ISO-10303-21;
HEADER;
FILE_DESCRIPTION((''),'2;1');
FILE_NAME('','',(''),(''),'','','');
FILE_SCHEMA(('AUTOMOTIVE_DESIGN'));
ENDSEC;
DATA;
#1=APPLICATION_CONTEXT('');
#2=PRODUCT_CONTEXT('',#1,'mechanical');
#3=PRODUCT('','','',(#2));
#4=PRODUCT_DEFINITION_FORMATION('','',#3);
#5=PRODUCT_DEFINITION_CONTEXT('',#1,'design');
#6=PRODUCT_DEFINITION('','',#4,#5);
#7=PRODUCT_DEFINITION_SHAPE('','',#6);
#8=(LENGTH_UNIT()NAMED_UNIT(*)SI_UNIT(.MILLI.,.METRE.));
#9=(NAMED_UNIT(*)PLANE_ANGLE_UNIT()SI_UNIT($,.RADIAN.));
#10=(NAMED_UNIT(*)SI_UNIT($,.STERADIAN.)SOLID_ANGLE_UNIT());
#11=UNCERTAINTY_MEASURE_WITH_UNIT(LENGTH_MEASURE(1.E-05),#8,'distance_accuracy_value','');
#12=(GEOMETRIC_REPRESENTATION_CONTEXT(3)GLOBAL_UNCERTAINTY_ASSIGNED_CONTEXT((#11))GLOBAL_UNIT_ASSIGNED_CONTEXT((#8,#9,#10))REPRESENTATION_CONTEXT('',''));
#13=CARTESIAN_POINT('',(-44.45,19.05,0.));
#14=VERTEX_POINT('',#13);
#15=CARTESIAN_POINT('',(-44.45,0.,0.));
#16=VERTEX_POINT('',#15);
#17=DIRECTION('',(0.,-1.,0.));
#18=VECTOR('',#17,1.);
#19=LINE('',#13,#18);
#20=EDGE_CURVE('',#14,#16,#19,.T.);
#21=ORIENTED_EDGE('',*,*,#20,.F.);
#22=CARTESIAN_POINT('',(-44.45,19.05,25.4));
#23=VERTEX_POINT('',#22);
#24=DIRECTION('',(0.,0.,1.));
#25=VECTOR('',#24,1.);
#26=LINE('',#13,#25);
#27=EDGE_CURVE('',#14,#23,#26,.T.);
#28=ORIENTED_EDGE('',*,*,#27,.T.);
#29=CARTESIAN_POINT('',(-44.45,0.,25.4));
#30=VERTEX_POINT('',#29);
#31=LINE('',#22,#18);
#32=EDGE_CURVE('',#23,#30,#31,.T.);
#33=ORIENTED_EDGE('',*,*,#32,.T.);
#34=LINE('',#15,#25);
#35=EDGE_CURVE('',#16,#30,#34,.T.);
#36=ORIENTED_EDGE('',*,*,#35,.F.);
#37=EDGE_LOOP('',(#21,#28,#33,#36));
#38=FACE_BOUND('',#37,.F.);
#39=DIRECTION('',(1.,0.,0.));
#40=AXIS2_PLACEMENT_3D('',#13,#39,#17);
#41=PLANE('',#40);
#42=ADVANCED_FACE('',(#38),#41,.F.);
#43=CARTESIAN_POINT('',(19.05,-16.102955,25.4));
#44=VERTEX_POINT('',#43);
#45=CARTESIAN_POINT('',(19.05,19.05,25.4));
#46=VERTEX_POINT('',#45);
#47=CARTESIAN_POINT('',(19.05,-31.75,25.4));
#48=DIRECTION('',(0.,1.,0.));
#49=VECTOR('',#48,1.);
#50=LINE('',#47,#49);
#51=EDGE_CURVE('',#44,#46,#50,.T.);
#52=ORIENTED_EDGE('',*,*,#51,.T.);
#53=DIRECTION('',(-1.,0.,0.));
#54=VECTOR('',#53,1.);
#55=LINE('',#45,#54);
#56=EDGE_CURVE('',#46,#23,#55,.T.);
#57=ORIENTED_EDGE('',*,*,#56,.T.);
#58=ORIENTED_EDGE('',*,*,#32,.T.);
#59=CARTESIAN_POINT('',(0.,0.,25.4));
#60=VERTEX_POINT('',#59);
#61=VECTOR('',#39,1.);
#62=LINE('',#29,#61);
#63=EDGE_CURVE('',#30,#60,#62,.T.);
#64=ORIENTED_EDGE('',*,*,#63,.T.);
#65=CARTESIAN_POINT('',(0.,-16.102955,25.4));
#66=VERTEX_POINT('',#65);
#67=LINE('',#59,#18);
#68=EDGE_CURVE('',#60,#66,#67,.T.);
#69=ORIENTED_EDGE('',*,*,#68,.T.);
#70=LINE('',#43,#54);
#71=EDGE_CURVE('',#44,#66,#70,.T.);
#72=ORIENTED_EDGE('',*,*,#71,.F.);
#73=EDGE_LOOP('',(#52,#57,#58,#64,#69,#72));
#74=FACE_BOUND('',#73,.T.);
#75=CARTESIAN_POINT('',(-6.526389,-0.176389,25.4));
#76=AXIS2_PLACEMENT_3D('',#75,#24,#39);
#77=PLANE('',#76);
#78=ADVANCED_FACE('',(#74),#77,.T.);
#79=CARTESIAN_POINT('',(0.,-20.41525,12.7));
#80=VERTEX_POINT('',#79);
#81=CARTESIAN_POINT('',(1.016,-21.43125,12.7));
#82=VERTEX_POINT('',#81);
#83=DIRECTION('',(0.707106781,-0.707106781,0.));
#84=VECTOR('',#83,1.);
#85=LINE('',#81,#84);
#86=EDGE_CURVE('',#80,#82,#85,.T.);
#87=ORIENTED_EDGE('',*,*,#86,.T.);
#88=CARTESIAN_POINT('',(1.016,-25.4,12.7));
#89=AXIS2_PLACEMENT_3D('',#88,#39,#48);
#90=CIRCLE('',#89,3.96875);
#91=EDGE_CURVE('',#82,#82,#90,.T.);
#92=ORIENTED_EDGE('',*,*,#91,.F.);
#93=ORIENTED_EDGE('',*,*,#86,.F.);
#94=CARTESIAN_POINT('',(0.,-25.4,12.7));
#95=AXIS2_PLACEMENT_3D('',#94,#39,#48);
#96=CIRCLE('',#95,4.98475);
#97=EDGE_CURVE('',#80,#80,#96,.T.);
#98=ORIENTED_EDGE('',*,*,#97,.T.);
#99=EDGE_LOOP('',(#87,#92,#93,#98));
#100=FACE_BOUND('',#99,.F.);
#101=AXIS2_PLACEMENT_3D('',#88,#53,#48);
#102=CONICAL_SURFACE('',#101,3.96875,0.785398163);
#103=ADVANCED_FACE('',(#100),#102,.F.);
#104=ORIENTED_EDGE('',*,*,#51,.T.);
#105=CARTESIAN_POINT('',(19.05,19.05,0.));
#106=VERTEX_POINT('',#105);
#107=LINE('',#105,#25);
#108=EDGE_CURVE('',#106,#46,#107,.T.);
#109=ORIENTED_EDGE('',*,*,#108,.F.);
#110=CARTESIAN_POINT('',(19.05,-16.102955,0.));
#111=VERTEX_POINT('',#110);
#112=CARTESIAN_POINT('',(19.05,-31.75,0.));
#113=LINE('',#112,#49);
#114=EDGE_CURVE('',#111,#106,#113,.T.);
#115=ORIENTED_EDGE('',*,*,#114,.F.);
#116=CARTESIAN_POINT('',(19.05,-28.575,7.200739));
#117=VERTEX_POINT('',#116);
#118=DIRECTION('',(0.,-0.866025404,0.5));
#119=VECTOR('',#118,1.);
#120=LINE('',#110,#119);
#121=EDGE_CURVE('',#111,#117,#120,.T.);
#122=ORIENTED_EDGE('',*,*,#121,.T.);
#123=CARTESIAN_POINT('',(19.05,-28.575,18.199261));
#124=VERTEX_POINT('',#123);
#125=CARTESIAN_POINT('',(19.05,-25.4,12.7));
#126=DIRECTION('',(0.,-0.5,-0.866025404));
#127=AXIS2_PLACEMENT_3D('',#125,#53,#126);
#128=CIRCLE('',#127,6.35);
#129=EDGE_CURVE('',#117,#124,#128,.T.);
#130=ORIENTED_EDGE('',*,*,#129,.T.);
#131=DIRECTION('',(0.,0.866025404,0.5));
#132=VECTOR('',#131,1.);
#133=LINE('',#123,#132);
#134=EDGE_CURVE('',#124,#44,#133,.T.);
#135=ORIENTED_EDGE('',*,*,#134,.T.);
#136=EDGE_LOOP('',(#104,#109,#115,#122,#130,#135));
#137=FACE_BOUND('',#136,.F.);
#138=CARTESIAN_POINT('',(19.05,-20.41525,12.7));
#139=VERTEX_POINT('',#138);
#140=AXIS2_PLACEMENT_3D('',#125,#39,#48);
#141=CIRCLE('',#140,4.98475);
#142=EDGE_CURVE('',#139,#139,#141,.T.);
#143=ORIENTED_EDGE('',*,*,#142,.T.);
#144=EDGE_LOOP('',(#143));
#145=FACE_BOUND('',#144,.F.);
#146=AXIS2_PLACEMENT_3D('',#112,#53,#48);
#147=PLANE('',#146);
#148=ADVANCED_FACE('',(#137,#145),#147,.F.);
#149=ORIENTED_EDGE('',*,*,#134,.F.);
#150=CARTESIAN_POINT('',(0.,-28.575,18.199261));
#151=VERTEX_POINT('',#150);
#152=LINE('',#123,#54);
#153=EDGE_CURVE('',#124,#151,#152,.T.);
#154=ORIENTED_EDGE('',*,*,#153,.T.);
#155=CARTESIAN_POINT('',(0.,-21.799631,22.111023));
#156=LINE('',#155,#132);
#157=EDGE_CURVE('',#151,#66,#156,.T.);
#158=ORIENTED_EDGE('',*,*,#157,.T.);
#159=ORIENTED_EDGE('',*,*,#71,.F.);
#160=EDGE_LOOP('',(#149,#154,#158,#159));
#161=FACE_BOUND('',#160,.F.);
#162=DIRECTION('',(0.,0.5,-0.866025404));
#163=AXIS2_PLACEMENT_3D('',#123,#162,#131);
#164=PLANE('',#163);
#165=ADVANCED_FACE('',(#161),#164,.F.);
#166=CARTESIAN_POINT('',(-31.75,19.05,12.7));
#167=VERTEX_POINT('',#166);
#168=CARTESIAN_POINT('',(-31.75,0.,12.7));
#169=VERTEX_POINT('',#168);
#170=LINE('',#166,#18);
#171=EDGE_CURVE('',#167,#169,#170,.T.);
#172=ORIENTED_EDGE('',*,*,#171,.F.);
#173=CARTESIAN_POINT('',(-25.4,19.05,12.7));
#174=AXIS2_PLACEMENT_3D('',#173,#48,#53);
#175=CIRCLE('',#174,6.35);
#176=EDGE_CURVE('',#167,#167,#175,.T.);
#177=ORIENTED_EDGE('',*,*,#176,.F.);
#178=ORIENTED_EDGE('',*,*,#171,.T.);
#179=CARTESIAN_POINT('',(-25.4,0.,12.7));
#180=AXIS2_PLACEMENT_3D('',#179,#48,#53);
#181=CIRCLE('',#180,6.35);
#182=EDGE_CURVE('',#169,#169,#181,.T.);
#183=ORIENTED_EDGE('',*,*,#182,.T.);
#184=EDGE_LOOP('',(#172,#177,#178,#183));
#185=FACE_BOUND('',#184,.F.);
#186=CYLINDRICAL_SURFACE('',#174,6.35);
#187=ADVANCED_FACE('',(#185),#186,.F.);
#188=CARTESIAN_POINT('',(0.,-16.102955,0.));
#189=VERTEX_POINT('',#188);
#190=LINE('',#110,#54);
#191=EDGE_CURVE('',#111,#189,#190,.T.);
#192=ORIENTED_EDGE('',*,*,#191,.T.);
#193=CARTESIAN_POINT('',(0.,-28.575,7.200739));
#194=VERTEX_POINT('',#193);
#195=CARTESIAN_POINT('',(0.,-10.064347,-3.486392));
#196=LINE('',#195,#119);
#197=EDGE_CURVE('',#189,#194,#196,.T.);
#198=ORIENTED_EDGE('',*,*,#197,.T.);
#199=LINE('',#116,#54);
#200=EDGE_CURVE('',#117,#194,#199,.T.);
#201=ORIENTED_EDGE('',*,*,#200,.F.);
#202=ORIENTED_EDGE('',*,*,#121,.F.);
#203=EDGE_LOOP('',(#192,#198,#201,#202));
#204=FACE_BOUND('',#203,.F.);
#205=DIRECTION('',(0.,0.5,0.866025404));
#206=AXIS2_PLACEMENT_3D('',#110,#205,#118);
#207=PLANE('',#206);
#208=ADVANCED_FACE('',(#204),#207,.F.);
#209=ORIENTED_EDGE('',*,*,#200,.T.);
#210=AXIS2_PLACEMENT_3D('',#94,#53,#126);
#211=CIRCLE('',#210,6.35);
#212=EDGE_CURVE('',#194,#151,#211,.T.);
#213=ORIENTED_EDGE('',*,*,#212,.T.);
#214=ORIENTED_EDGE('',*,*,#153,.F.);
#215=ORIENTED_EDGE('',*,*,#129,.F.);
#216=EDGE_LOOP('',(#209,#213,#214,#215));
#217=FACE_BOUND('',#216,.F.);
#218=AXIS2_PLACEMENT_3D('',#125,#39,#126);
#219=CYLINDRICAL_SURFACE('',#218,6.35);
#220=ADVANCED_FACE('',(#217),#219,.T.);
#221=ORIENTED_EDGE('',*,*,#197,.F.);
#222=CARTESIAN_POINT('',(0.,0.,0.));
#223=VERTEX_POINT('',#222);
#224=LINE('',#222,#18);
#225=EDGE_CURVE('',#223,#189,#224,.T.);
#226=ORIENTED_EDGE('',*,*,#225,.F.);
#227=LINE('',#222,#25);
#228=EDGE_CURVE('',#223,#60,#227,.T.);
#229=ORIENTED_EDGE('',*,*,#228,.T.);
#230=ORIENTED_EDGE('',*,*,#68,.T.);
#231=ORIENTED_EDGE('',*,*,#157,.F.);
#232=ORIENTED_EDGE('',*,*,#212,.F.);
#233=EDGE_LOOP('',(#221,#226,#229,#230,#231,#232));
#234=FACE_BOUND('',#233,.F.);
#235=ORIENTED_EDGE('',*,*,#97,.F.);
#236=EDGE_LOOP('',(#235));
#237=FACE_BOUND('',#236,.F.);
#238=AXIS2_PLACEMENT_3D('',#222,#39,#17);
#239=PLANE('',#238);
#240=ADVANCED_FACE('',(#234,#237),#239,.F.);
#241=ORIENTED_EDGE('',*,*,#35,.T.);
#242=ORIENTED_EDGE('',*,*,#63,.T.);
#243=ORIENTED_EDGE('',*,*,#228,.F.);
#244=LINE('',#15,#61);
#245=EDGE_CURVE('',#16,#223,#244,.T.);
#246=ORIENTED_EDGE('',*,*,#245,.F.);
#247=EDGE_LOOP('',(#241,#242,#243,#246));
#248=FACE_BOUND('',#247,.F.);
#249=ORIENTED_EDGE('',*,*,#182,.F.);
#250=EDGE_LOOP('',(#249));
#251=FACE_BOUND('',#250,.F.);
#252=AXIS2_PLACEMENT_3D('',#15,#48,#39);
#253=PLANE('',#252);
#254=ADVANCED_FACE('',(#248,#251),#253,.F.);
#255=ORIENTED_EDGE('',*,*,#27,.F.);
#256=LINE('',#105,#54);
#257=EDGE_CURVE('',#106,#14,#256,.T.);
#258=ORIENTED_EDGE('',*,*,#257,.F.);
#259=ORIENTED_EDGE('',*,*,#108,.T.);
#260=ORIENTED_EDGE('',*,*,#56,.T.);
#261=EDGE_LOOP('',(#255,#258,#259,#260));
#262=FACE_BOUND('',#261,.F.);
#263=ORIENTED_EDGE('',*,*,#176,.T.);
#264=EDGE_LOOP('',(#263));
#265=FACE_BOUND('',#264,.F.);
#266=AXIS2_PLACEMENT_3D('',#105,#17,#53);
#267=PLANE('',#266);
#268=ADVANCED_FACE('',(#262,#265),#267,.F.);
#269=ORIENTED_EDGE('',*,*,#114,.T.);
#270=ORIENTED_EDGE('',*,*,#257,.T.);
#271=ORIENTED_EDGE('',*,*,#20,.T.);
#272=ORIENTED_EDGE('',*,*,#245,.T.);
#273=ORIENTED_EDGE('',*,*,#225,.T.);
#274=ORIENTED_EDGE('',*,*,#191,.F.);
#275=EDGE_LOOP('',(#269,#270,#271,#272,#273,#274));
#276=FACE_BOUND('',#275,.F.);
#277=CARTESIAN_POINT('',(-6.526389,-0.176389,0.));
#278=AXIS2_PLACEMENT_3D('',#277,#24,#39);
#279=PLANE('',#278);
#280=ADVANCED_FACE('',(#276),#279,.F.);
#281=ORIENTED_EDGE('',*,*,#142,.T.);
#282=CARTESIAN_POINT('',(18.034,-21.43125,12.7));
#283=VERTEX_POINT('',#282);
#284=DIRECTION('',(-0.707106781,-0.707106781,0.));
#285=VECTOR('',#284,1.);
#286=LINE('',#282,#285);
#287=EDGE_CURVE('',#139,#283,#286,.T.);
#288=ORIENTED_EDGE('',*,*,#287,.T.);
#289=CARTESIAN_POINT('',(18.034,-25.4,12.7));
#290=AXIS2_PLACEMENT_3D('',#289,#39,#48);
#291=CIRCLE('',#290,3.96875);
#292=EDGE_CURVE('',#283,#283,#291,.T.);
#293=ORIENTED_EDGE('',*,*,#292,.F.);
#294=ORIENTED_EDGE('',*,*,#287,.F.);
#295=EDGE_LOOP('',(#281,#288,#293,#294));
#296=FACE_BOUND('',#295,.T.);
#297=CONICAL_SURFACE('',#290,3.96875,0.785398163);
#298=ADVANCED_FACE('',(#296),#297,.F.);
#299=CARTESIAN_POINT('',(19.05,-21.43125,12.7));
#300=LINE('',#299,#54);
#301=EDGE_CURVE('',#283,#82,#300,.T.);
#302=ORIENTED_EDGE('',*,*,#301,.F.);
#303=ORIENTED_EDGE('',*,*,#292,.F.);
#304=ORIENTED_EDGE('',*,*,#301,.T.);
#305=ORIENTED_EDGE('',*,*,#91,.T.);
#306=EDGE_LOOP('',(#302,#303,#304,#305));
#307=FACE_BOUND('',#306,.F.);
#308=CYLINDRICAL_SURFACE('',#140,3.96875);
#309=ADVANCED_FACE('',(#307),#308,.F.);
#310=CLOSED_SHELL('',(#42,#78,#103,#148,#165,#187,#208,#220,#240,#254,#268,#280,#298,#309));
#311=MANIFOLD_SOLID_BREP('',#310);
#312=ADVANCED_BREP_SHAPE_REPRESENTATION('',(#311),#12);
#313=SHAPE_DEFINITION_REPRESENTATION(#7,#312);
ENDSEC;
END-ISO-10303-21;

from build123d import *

# Parameters (mm, degrees)
F1_DEPTH = 25.4
F2_R     = 3.96875
F3_DEPTH = 63.501
F4_R     = 6.35
F5_DEPTH = 50.801
F6_SIZE  = 1.016


with BuildPart() as f1:
    # F0 (on Top) → F1 (new body)
    with BuildSketch(Plane.XY):
        Polygon((-44.45, 0), (0, 0), (0, -31.75), (19.05, -31.75), (19.05, 19.05), (-44.45, 19.05), align=None)
    extrude(amount=F1_DEPTH)

    # F2 (on face) → F3 (cut, through all)
    with BuildSketch(Plane.YZ.offset(19.05)):
        with BuildLine():
            ThreePointArc((-28.575, 7.200738686), (-31.75, 12.7), (-28.575, 18.199261314))
            Line((-28.575, 18.199261314), (-16.1029547439, 25.4))
            Line((-16.1029547439, 25.4), (-16.1029547439, 30.48))
            Line((-16.1029547439, 30.48), (-41.5029547439, 30.48))
            Line((-41.5029547439, 30.48), (-41.5029547439, -5.08))
            Line((-41.5029547439, -5.08), (-16.1029547439, -5.08))
            Line((-16.1029547439, -5.08), (-16.1029547439, 0))
            Line((-16.1029547439, 0), (-28.575, 7.200738686))
        make_face()
        with Locations((-25.4, 12.7)):
            Circle(F2_R)
    extrude(amount=-F3_DEPTH, mode=Mode.SUBTRACT)

    # F4 (on face) → F5 (cut, through all)
    with BuildSketch(Plane(origin=(0, 19.05, 0), x_dir=(-1, 0, 0), z_dir=(0, 1, 0))):
        with Locations((25.4, 12.7)):
            Circle(F4_R)
    extrude(amount=-F5_DEPTH, mode=Mode.SUBTRACT)

    # F6
    f6_edges = [f1.edges().sort_by_distance(p)[0] for p in [
        (19.05, -29.36875, 12.7),
        (9.525, -21.43125, 12.7),
        (0, -29.36875, 12.7),
    ]]
    chamfer(f6_edges, length=F6_SIZE)


solid = f1.part
